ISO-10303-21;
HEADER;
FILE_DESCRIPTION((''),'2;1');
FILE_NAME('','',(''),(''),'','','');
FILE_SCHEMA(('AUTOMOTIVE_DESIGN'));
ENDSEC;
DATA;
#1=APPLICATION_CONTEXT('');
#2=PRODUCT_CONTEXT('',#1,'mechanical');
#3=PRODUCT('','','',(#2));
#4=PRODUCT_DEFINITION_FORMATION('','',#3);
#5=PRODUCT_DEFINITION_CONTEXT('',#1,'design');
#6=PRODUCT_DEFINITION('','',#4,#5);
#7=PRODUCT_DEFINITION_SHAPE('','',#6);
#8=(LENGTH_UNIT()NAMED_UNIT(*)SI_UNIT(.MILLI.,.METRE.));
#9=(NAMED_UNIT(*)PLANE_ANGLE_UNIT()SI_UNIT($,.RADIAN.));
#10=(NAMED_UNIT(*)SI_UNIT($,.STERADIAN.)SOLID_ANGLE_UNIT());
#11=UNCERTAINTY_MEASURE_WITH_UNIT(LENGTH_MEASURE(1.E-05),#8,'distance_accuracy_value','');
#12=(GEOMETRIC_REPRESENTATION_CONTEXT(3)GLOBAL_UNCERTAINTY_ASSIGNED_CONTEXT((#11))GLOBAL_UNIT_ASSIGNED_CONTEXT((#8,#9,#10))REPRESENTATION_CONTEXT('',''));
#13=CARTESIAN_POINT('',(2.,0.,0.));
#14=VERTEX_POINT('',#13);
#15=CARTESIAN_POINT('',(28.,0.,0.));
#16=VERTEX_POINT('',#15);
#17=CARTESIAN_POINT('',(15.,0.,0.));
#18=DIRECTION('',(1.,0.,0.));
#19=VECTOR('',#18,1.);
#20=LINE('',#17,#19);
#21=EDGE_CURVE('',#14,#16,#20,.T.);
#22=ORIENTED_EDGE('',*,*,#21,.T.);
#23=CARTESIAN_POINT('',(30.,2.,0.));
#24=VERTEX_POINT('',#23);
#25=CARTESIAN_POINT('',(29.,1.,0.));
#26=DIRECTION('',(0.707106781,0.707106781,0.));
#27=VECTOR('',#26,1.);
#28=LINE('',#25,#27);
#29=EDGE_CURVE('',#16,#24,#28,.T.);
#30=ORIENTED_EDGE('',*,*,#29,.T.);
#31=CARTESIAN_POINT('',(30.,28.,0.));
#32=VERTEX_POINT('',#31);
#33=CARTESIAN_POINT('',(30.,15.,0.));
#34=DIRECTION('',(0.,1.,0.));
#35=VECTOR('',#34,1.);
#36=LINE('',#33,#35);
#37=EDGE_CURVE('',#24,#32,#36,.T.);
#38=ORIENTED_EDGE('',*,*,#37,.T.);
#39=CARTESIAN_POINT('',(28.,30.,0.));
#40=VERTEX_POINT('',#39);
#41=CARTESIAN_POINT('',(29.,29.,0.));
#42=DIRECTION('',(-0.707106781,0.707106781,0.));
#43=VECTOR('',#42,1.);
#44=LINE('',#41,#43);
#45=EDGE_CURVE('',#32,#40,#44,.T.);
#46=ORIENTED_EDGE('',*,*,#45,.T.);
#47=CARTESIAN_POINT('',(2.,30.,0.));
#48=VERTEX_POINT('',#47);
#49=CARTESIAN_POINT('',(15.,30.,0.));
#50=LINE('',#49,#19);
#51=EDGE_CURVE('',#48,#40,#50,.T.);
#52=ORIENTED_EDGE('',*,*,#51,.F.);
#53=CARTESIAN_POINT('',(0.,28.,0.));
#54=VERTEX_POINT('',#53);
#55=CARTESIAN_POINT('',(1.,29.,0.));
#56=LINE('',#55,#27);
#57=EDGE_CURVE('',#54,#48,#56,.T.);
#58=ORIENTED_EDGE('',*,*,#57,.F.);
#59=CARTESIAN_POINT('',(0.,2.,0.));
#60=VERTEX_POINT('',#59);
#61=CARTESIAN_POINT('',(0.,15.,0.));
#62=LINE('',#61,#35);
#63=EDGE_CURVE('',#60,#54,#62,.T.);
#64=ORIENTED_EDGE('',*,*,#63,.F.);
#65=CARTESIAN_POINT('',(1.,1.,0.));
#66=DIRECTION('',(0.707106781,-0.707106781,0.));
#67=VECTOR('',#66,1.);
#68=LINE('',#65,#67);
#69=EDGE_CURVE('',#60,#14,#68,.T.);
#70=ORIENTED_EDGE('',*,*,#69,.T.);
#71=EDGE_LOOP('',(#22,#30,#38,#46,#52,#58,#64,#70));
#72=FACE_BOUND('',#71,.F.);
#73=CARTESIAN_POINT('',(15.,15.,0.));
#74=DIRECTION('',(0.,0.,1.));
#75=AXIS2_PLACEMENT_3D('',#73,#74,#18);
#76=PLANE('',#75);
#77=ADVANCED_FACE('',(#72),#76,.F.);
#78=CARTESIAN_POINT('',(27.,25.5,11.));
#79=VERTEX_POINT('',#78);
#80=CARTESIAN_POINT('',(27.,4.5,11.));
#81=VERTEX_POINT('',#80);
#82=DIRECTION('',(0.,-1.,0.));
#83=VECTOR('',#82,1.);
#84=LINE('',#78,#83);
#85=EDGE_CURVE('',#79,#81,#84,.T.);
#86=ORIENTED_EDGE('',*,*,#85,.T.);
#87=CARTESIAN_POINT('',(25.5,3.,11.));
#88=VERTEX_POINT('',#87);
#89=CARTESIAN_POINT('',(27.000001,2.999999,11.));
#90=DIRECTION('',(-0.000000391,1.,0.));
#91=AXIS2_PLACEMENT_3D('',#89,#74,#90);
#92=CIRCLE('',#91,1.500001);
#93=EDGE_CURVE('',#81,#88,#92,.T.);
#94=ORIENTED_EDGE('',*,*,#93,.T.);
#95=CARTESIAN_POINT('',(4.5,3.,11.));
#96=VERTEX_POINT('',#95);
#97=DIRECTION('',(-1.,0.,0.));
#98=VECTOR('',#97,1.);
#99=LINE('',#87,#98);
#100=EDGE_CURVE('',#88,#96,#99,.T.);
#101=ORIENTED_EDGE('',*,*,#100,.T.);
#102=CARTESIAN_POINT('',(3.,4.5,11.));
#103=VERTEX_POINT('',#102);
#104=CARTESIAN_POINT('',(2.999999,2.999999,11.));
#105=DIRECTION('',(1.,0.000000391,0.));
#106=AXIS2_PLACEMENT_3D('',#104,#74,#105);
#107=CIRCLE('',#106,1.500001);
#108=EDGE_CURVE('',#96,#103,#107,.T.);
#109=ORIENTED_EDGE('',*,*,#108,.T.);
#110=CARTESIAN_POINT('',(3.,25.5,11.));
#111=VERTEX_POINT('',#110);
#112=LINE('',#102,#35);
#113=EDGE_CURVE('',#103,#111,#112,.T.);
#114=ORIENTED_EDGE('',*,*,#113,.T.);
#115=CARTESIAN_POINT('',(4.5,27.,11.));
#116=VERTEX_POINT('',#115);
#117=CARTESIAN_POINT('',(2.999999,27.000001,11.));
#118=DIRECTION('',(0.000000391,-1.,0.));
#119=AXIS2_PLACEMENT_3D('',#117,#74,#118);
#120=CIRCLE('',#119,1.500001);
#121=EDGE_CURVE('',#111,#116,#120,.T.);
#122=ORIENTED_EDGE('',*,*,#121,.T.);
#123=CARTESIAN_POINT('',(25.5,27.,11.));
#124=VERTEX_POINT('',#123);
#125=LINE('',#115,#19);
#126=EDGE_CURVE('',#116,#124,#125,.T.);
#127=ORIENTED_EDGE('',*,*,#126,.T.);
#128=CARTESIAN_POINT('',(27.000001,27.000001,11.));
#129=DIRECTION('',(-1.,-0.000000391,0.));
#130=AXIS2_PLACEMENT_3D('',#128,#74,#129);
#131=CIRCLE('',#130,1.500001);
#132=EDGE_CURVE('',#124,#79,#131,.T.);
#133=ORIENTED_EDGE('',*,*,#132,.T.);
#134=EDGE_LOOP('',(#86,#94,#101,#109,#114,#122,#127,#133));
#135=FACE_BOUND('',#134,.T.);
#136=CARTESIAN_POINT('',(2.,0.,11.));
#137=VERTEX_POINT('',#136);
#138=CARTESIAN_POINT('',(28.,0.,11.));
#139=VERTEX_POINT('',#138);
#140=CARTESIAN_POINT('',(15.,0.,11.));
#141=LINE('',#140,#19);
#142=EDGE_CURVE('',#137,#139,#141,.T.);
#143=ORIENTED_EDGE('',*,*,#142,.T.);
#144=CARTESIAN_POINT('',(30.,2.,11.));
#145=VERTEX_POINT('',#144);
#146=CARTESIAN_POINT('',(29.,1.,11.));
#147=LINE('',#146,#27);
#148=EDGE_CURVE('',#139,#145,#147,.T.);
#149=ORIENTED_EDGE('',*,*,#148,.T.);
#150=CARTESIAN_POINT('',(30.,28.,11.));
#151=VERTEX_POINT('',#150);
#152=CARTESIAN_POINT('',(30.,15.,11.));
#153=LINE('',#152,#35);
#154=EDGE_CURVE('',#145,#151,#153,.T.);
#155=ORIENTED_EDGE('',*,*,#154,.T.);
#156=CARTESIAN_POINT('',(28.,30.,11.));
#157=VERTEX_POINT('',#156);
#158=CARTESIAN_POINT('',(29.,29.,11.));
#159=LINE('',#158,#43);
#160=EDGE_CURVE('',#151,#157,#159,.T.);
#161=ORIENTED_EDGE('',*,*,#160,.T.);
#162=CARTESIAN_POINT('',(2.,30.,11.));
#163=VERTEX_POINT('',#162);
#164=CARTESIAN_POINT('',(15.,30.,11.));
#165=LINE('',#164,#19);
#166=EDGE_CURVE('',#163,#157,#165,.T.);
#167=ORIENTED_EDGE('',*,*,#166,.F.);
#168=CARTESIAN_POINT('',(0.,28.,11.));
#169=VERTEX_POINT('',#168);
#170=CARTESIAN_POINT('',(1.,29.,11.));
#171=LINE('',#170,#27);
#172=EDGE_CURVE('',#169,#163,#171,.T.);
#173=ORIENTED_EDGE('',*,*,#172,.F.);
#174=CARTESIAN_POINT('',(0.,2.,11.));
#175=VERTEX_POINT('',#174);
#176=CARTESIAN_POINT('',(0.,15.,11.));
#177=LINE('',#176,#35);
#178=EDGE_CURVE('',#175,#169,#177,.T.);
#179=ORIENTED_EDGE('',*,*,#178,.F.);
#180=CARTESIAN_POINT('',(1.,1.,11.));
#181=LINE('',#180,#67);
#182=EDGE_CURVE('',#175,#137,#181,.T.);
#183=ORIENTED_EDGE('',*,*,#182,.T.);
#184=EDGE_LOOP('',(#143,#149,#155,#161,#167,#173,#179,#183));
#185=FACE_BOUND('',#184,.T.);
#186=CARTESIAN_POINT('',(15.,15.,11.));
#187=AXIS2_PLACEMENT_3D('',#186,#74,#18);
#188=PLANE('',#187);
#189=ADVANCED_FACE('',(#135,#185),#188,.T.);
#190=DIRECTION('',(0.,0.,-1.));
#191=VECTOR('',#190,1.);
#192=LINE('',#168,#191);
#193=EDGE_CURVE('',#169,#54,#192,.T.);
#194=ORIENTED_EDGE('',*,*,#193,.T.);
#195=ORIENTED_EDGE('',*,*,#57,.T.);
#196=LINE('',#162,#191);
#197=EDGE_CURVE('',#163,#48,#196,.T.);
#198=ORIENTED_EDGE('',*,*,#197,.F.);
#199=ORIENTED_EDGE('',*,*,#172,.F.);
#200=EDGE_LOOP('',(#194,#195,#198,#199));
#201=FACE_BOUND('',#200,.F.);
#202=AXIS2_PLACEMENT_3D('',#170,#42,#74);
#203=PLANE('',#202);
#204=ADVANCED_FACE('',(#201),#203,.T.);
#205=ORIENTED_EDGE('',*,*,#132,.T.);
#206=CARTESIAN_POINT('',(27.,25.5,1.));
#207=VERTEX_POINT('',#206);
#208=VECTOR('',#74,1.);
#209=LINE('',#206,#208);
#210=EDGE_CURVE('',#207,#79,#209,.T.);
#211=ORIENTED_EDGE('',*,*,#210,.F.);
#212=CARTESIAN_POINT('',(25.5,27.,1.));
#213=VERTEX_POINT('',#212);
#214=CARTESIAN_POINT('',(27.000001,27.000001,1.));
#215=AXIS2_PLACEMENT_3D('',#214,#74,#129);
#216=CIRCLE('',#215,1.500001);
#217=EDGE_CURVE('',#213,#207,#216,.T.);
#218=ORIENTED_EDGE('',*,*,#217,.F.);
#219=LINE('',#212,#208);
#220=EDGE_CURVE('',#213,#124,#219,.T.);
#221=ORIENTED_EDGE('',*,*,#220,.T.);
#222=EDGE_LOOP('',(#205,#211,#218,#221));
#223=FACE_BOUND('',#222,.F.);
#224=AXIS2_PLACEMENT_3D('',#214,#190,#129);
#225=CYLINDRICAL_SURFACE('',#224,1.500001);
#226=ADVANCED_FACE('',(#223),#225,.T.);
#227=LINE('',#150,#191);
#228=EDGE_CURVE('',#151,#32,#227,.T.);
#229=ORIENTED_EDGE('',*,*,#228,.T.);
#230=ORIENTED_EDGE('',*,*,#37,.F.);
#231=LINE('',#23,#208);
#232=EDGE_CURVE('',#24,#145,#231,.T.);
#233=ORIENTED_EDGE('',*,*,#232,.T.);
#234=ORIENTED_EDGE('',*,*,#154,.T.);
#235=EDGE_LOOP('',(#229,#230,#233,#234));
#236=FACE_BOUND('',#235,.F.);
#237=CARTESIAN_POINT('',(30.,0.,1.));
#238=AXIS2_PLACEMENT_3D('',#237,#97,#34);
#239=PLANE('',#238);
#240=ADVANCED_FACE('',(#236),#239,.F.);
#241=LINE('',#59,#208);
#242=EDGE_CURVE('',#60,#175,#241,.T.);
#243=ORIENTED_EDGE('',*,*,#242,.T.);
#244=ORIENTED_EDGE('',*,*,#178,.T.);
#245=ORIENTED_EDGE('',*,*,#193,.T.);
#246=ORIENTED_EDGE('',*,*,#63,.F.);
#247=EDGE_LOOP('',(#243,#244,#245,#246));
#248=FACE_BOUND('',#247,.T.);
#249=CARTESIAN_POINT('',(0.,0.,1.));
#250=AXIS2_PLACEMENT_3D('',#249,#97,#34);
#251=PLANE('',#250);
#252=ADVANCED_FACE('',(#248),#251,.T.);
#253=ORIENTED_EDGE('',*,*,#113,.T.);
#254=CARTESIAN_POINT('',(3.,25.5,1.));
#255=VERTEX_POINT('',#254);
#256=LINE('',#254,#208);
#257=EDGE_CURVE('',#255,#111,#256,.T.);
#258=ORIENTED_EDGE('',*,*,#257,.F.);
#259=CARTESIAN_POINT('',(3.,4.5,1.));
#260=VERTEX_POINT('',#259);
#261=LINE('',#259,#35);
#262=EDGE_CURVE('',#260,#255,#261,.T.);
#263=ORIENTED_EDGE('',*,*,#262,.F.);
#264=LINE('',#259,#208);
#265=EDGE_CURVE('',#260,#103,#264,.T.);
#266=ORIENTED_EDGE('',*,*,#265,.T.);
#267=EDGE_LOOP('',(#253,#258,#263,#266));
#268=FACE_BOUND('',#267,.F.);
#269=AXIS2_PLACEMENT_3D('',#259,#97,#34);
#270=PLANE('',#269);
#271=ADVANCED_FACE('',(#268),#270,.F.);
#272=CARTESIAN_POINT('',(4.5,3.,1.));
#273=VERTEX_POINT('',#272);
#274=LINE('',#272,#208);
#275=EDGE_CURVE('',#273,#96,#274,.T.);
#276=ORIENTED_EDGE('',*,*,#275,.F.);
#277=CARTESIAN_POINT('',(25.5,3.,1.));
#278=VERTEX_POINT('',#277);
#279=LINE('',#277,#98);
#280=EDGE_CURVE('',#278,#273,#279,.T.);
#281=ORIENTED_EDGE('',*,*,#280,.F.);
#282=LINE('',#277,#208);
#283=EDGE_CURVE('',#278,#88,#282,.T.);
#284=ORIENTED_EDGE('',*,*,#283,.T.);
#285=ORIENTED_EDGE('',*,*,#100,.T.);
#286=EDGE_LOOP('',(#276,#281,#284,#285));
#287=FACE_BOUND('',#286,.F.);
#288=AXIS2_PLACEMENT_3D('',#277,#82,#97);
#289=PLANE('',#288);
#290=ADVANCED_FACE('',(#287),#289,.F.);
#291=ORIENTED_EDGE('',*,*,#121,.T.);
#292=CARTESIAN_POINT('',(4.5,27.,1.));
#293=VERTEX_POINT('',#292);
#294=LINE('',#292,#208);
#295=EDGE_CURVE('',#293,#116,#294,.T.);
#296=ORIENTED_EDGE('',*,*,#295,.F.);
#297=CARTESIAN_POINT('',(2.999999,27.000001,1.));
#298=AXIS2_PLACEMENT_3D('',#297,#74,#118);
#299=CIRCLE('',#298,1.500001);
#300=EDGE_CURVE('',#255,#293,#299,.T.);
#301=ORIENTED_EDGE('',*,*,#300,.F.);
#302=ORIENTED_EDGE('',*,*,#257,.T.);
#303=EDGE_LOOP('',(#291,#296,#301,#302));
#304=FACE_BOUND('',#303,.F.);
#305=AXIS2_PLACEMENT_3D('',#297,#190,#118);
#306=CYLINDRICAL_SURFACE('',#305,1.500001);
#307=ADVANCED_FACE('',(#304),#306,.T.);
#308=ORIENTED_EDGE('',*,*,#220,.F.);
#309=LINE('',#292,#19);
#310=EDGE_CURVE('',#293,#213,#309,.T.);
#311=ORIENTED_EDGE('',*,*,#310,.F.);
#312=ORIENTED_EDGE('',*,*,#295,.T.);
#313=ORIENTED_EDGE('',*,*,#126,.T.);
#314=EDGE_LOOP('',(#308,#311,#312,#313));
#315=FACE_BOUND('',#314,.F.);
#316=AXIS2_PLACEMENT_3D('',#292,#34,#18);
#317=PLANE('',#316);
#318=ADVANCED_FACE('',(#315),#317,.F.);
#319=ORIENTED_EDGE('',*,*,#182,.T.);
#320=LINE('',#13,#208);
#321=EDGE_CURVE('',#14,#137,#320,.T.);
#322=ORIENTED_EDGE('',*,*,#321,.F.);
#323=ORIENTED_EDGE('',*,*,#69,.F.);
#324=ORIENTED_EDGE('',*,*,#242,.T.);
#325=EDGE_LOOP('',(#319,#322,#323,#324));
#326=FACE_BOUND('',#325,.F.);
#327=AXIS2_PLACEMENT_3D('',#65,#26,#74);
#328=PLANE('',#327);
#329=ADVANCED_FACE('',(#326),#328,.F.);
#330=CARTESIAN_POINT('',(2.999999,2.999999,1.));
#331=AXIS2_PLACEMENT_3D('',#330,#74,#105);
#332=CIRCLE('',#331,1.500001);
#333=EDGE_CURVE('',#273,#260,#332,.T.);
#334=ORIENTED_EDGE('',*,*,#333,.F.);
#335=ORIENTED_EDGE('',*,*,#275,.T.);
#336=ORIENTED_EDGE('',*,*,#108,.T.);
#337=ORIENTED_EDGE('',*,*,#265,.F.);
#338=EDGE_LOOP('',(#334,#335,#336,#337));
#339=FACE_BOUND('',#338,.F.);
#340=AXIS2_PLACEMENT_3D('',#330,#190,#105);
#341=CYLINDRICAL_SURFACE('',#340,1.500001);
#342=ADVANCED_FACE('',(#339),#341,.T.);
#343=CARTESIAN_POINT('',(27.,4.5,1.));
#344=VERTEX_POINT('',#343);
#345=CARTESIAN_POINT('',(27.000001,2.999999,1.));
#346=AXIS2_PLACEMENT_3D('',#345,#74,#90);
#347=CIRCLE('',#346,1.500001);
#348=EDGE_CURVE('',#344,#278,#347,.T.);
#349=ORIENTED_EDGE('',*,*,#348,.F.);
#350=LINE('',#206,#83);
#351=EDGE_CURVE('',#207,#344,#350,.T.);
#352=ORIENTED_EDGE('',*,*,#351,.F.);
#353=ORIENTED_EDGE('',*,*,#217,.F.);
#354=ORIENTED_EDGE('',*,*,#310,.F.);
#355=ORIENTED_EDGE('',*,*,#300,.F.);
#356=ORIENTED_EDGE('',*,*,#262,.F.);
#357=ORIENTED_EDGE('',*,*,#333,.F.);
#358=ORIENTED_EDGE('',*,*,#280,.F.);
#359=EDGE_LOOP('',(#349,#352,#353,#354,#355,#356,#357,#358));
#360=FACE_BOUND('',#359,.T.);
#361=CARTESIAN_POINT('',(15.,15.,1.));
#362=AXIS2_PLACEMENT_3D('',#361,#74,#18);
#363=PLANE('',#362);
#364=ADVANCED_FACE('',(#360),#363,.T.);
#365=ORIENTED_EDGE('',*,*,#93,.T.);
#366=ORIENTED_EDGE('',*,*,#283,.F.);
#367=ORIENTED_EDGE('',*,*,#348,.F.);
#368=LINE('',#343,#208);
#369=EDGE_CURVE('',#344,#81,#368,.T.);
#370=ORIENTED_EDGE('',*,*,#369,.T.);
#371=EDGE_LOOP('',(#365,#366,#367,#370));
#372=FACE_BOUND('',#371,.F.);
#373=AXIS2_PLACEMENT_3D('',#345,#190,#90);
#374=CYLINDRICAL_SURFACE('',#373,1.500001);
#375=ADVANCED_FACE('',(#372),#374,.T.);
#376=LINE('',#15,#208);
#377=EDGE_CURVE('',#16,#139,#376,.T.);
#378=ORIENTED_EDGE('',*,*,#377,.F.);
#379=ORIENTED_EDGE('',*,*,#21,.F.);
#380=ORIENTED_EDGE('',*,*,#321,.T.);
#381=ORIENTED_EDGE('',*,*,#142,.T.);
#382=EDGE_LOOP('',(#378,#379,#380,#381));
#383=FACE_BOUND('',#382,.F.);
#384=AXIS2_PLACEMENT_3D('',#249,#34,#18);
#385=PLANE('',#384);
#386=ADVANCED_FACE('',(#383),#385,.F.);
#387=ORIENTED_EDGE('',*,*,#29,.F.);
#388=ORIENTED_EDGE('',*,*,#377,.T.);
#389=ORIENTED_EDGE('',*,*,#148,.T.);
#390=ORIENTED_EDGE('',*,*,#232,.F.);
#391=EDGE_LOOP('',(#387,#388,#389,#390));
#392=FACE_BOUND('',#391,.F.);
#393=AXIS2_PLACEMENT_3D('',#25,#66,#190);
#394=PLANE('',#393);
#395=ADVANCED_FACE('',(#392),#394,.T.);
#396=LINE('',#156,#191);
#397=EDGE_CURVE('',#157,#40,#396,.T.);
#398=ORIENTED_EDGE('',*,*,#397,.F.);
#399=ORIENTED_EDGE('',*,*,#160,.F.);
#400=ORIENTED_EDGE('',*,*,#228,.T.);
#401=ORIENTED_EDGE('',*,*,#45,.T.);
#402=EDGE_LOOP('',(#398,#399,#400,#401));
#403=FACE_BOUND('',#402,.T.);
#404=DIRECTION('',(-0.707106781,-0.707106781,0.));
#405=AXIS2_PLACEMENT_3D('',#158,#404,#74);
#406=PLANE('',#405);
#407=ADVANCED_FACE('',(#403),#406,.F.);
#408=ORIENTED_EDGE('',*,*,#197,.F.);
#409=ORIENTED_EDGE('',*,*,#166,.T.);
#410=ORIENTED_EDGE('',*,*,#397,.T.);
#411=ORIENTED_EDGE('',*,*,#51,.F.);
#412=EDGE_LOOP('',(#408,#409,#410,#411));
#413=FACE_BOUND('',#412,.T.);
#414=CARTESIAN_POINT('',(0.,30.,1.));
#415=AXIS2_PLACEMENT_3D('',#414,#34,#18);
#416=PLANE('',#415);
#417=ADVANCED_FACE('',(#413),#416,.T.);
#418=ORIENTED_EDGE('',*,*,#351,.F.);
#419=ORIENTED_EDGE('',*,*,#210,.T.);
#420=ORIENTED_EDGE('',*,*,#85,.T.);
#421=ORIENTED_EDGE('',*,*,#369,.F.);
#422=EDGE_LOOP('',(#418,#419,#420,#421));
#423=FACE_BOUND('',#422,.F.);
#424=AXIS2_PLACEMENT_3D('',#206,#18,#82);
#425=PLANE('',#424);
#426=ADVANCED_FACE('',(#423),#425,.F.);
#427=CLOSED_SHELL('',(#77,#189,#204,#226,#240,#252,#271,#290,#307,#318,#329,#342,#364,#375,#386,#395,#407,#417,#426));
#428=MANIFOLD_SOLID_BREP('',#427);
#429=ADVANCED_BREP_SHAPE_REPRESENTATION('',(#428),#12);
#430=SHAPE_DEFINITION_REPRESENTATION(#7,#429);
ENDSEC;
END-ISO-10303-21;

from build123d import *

# Parameters (mm, degrees)
F0_W     = 30
F0_H     = 30
F1_DEPTH = 1
F2_W     = 30
F2_H     = 30
F3_DEPTH = 10
F4_SIZE  = 2


with BuildPart() as f1:
    # F0 (on Top) → F1 (new body)
    with BuildSketch(Plane.XY):
        with Locations((15, 15)):
            Rectangle(F0_W, F0_H)
    extrude(amount=F1_DEPTH)

    # F2 (on face) → F3 (join)
    with BuildSketch(Plane.XY.offset(1)):
        with Locations((15, 15)):
            Rectangle(F2_W, F2_H)
        with BuildLine():
            Line((3, 4.5), (3, 25.5))
            ThreePointArc((3, 25.5), (4.06066, 25.93934), (4.5, 27))
            Line((4.5, 27), (25.5, 27))
            ThreePointArc((25.5, 27), (25.93934, 25.93934), (27, 25.5))
            Line((27, 25.5), (27, 4.5))
            ThreePointArc((27, 4.5), (25.93934, 4.06066), (25.5, 3))
            Line((25.5, 3), (4.5, 3))
            ThreePointArc((4.5, 3), (4.06066, 4.06066), (3, 4.5))
        make_face(mode=Mode.SUBTRACT)
    extrude(amount=F3_DEPTH)

    # F4
    f4_edges = [f1.edges().sort_by_distance(p)[0] for p in [
        (30, 30, 5.5),
        (30, 0, 5.5),
        (0, 0, 5.5),
        (0, 30, 5.5),
    ]]
    chamfer(f4_edges, length=F4_SIZE)


solid = f1.part
